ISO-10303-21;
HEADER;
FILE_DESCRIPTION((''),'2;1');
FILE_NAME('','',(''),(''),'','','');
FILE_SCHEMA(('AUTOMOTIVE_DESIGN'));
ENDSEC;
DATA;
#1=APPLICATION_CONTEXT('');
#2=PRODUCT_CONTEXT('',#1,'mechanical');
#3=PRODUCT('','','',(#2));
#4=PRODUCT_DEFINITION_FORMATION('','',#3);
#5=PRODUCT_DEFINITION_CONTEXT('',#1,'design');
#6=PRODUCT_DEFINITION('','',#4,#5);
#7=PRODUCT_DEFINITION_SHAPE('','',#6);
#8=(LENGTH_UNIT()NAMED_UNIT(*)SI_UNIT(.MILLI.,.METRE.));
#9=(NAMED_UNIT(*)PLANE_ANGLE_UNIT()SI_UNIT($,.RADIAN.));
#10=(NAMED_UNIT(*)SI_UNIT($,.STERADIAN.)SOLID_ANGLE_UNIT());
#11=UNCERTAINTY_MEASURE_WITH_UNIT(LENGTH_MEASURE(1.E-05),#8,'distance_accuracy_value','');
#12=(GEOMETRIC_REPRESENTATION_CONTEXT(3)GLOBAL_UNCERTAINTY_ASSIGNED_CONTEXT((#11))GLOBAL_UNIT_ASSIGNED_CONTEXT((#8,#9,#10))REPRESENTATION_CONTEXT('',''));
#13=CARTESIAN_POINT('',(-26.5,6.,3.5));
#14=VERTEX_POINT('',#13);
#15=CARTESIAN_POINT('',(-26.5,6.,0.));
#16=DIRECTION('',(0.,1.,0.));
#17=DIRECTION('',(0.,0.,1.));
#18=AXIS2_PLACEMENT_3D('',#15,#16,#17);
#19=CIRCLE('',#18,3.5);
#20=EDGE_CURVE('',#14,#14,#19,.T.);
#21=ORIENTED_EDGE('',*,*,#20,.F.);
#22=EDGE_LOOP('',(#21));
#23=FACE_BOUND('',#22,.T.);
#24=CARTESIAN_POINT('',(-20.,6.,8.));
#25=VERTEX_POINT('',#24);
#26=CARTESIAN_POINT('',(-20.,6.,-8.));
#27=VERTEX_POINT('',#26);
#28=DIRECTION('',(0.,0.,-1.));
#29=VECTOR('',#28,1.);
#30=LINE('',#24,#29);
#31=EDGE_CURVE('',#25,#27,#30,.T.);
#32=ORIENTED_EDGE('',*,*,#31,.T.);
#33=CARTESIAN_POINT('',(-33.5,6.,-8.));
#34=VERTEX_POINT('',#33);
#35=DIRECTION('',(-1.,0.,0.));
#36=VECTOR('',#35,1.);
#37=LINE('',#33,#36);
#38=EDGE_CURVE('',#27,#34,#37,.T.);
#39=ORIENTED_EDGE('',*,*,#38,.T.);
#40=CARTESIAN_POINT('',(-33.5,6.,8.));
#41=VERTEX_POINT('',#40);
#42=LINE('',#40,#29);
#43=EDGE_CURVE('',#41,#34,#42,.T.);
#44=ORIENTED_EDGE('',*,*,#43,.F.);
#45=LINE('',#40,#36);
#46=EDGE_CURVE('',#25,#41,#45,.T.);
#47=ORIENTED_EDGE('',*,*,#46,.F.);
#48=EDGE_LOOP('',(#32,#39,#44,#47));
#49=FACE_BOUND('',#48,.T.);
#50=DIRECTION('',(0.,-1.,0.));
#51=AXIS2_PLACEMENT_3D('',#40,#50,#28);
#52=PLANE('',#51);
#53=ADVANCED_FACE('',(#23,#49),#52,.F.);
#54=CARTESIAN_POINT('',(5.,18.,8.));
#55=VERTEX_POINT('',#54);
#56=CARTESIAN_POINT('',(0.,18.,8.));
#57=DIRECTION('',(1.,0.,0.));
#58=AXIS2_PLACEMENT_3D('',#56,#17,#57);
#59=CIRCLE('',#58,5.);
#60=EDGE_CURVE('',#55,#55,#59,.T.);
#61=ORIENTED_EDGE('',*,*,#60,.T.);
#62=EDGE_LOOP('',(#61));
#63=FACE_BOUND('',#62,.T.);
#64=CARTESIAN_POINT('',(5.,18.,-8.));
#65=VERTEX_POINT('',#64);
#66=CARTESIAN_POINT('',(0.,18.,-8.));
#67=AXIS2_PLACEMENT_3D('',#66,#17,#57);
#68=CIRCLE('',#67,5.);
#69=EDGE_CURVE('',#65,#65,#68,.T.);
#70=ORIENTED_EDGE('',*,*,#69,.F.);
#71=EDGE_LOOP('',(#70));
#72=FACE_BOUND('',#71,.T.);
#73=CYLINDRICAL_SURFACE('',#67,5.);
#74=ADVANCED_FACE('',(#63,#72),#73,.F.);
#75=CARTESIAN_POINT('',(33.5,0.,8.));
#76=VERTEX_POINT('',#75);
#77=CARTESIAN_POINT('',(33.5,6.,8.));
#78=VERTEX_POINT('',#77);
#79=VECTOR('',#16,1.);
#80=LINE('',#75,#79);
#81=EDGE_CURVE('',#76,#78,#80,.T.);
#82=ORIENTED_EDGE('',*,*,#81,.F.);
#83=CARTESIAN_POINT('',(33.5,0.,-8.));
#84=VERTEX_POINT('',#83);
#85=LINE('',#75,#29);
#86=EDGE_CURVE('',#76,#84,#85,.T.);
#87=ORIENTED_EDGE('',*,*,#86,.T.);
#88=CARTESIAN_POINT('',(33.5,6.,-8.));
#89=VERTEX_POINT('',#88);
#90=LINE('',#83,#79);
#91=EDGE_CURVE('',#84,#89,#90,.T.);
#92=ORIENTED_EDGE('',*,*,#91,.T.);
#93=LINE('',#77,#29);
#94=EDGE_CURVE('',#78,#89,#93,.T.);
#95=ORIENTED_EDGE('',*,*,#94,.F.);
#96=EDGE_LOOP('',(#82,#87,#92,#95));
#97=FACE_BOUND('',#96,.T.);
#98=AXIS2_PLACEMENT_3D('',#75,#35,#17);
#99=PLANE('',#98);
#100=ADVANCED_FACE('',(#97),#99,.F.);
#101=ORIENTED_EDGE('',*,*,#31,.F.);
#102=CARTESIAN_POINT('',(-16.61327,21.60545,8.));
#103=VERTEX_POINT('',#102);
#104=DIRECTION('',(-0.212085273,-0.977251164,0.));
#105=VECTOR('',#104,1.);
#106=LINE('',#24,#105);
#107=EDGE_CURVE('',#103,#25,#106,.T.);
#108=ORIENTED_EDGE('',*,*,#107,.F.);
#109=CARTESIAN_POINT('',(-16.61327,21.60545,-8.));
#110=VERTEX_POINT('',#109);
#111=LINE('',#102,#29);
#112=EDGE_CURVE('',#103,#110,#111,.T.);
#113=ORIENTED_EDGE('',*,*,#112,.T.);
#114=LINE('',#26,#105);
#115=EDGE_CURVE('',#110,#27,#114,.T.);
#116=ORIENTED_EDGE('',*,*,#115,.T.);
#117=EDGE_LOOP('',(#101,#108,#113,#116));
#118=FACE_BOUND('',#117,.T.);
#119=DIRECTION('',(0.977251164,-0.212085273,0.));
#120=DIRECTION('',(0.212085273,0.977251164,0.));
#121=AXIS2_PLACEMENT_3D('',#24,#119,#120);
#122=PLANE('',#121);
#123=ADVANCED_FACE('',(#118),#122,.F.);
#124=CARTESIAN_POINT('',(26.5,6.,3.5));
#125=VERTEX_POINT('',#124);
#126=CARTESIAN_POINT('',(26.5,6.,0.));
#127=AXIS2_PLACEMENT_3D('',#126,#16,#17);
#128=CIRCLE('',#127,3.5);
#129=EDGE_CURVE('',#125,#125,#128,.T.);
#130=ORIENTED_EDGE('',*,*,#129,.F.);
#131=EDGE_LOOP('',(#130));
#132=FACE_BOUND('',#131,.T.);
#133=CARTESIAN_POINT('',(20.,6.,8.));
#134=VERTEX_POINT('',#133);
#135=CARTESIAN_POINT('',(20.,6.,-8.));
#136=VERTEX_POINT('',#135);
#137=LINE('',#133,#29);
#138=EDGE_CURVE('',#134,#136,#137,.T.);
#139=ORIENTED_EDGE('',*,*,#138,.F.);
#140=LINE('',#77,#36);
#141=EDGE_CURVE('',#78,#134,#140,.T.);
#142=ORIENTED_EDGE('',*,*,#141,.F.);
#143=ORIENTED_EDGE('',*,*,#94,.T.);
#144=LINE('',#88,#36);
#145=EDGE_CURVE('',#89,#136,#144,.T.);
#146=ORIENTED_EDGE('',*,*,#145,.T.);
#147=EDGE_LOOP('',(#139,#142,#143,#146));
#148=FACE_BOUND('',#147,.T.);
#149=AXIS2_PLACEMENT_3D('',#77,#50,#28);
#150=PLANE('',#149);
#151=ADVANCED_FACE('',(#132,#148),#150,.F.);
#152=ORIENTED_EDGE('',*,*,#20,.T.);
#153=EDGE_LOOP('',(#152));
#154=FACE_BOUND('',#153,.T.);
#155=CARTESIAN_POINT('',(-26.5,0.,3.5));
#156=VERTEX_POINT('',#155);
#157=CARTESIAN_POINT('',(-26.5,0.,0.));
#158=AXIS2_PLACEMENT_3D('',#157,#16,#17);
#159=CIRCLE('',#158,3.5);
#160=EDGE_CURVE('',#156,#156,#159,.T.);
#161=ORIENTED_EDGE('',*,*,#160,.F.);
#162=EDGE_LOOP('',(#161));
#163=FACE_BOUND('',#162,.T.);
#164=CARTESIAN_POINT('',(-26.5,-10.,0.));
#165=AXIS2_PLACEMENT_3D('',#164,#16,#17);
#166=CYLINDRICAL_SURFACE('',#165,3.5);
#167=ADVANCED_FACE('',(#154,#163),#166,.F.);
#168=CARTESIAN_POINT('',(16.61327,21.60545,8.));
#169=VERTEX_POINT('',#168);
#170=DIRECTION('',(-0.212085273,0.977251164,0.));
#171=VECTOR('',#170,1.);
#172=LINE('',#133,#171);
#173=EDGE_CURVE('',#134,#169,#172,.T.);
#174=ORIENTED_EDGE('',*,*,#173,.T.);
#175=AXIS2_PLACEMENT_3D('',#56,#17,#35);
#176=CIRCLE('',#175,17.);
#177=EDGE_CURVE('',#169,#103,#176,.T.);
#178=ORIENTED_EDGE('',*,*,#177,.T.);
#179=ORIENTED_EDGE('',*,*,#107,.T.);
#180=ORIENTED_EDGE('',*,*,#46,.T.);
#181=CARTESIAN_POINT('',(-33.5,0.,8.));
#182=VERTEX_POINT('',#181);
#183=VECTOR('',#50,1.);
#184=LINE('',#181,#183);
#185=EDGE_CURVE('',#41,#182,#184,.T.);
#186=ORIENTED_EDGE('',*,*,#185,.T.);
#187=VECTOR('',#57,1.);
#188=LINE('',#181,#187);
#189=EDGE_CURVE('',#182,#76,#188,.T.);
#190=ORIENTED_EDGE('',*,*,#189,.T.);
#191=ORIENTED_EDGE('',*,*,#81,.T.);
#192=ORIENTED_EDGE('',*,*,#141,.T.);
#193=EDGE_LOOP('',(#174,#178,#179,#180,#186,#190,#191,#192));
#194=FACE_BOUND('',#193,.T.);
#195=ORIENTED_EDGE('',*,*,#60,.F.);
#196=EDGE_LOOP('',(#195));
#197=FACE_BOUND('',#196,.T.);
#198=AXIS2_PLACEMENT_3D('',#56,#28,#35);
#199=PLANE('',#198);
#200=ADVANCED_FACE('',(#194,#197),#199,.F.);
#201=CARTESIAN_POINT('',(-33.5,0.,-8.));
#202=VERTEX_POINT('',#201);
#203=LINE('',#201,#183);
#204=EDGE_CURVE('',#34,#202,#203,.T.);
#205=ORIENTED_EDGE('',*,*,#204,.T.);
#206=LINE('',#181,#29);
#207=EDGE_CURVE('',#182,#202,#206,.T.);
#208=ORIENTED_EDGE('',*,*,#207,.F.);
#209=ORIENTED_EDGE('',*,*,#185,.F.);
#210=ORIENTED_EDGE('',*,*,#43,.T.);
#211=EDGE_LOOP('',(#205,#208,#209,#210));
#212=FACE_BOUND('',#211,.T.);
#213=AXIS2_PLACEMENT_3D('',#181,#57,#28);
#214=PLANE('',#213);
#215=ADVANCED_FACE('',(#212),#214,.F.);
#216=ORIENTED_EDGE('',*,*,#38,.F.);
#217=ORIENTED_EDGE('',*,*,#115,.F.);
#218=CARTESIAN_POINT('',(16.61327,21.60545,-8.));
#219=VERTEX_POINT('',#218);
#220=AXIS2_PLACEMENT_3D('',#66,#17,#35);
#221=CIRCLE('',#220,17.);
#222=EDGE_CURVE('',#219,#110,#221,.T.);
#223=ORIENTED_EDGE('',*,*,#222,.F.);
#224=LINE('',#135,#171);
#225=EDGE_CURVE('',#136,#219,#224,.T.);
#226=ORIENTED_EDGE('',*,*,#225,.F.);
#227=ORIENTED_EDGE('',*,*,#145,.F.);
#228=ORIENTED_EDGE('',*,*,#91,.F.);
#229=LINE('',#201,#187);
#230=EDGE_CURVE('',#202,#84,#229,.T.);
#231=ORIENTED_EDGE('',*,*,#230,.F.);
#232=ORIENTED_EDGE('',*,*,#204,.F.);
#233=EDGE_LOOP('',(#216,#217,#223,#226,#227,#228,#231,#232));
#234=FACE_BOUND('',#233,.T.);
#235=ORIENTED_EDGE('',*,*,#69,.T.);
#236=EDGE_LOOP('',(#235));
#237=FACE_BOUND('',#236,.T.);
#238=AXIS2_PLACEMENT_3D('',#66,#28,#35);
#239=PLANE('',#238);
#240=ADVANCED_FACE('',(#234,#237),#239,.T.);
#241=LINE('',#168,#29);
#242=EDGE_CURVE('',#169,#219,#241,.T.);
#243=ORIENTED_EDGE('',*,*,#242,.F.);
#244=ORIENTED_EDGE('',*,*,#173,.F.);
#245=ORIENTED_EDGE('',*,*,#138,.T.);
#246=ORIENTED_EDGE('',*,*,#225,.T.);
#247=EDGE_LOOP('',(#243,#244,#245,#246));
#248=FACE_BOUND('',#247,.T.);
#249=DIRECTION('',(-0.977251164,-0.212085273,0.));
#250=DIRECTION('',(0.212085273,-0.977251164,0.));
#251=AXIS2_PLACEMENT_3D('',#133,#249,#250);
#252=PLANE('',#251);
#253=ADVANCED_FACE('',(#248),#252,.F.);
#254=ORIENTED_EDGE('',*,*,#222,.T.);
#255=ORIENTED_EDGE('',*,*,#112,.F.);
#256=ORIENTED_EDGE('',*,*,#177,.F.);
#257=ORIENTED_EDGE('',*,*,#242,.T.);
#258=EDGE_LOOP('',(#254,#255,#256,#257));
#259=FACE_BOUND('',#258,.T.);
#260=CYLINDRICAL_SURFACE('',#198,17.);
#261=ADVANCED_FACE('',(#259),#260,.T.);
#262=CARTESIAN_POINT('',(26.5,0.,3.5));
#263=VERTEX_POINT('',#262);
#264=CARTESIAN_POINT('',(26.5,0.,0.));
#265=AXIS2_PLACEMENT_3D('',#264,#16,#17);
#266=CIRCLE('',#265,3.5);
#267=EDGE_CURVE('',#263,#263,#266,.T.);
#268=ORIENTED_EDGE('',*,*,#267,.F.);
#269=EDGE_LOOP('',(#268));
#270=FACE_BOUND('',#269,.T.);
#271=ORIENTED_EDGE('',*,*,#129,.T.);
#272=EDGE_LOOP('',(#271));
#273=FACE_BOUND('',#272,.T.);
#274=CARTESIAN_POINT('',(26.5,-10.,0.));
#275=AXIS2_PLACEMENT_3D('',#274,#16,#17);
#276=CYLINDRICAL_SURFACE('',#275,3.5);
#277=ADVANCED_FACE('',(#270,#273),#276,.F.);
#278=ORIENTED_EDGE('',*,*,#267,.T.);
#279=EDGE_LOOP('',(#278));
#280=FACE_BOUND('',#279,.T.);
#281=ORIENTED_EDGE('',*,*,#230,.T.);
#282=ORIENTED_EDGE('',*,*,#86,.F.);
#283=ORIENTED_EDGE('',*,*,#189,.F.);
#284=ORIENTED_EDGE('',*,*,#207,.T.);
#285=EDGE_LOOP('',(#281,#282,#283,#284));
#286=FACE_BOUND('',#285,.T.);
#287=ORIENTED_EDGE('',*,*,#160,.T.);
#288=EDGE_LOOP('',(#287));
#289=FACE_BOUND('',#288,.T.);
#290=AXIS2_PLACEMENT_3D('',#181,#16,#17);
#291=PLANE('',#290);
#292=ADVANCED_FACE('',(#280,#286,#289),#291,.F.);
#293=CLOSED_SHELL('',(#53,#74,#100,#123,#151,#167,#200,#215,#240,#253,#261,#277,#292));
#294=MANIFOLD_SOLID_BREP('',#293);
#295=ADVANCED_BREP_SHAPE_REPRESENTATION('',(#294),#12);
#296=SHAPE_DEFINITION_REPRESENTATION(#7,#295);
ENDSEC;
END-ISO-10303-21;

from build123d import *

# Parameters (mm, degrees)
EXTRUDE_1_DEPTH     = 8
SKETCH_2_R          = 3.5
CUT_EXTRUDE_1_DEPTH = 16
SKETCH_3_R          = 5
CUT_EXTRUDE_2_DEPTH = 16


with BuildPart() as part:
    # 草图1 → 凸台-拉伸1 (new body, symmetric)
    with BuildSketch(Plane.XY):
        with BuildLine():
            Line((-33.5, 0), (33.5, 0))
            Line((33.5, 0), (33.5, 6))
            Line((33.5, 6), (20, 6))
            Line((20, 6), (16.613269784, 21.605449639))
            ThreePointArc((16.613269784, 21.605449639), (0, 35), (-16.613269784, 21.605449639))
            Line((-16.613269784, 21.605449639), (-20, 6))
            Line((-20, 6), (-33.5, 6))
            Line((-33.5, 6), (-33.5, 0))
        make_face()
    extrude(amount=EXTRUDE_1_DEPTH, both=True)

    # 草图2 → 切除-拉伸1 (cut)
    with BuildSketch(Plane(origin=(0, 6, 0), x_dir=(1, 0, 0), z_dir=(0, 1, 0))):
        with Locations((-26.5, 0)):
            Circle(SKETCH_2_R)
        with Locations((26.5, 0)):
            Circle(SKETCH_2_R)
    extrude(amount=-CUT_EXTRUDE_1_DEPTH, mode=Mode.SUBTRACT)

    # 草图3 → 切除-拉伸2 (cut)
    with BuildSketch(Plane.XY.offset(8)):
        with Locations((0, 18)):
            Circle(SKETCH_3_R)
    extrude(amount=-CUT_EXTRUDE_2_DEPTH, mode=Mode.SUBTRACT)


solid = part.part
